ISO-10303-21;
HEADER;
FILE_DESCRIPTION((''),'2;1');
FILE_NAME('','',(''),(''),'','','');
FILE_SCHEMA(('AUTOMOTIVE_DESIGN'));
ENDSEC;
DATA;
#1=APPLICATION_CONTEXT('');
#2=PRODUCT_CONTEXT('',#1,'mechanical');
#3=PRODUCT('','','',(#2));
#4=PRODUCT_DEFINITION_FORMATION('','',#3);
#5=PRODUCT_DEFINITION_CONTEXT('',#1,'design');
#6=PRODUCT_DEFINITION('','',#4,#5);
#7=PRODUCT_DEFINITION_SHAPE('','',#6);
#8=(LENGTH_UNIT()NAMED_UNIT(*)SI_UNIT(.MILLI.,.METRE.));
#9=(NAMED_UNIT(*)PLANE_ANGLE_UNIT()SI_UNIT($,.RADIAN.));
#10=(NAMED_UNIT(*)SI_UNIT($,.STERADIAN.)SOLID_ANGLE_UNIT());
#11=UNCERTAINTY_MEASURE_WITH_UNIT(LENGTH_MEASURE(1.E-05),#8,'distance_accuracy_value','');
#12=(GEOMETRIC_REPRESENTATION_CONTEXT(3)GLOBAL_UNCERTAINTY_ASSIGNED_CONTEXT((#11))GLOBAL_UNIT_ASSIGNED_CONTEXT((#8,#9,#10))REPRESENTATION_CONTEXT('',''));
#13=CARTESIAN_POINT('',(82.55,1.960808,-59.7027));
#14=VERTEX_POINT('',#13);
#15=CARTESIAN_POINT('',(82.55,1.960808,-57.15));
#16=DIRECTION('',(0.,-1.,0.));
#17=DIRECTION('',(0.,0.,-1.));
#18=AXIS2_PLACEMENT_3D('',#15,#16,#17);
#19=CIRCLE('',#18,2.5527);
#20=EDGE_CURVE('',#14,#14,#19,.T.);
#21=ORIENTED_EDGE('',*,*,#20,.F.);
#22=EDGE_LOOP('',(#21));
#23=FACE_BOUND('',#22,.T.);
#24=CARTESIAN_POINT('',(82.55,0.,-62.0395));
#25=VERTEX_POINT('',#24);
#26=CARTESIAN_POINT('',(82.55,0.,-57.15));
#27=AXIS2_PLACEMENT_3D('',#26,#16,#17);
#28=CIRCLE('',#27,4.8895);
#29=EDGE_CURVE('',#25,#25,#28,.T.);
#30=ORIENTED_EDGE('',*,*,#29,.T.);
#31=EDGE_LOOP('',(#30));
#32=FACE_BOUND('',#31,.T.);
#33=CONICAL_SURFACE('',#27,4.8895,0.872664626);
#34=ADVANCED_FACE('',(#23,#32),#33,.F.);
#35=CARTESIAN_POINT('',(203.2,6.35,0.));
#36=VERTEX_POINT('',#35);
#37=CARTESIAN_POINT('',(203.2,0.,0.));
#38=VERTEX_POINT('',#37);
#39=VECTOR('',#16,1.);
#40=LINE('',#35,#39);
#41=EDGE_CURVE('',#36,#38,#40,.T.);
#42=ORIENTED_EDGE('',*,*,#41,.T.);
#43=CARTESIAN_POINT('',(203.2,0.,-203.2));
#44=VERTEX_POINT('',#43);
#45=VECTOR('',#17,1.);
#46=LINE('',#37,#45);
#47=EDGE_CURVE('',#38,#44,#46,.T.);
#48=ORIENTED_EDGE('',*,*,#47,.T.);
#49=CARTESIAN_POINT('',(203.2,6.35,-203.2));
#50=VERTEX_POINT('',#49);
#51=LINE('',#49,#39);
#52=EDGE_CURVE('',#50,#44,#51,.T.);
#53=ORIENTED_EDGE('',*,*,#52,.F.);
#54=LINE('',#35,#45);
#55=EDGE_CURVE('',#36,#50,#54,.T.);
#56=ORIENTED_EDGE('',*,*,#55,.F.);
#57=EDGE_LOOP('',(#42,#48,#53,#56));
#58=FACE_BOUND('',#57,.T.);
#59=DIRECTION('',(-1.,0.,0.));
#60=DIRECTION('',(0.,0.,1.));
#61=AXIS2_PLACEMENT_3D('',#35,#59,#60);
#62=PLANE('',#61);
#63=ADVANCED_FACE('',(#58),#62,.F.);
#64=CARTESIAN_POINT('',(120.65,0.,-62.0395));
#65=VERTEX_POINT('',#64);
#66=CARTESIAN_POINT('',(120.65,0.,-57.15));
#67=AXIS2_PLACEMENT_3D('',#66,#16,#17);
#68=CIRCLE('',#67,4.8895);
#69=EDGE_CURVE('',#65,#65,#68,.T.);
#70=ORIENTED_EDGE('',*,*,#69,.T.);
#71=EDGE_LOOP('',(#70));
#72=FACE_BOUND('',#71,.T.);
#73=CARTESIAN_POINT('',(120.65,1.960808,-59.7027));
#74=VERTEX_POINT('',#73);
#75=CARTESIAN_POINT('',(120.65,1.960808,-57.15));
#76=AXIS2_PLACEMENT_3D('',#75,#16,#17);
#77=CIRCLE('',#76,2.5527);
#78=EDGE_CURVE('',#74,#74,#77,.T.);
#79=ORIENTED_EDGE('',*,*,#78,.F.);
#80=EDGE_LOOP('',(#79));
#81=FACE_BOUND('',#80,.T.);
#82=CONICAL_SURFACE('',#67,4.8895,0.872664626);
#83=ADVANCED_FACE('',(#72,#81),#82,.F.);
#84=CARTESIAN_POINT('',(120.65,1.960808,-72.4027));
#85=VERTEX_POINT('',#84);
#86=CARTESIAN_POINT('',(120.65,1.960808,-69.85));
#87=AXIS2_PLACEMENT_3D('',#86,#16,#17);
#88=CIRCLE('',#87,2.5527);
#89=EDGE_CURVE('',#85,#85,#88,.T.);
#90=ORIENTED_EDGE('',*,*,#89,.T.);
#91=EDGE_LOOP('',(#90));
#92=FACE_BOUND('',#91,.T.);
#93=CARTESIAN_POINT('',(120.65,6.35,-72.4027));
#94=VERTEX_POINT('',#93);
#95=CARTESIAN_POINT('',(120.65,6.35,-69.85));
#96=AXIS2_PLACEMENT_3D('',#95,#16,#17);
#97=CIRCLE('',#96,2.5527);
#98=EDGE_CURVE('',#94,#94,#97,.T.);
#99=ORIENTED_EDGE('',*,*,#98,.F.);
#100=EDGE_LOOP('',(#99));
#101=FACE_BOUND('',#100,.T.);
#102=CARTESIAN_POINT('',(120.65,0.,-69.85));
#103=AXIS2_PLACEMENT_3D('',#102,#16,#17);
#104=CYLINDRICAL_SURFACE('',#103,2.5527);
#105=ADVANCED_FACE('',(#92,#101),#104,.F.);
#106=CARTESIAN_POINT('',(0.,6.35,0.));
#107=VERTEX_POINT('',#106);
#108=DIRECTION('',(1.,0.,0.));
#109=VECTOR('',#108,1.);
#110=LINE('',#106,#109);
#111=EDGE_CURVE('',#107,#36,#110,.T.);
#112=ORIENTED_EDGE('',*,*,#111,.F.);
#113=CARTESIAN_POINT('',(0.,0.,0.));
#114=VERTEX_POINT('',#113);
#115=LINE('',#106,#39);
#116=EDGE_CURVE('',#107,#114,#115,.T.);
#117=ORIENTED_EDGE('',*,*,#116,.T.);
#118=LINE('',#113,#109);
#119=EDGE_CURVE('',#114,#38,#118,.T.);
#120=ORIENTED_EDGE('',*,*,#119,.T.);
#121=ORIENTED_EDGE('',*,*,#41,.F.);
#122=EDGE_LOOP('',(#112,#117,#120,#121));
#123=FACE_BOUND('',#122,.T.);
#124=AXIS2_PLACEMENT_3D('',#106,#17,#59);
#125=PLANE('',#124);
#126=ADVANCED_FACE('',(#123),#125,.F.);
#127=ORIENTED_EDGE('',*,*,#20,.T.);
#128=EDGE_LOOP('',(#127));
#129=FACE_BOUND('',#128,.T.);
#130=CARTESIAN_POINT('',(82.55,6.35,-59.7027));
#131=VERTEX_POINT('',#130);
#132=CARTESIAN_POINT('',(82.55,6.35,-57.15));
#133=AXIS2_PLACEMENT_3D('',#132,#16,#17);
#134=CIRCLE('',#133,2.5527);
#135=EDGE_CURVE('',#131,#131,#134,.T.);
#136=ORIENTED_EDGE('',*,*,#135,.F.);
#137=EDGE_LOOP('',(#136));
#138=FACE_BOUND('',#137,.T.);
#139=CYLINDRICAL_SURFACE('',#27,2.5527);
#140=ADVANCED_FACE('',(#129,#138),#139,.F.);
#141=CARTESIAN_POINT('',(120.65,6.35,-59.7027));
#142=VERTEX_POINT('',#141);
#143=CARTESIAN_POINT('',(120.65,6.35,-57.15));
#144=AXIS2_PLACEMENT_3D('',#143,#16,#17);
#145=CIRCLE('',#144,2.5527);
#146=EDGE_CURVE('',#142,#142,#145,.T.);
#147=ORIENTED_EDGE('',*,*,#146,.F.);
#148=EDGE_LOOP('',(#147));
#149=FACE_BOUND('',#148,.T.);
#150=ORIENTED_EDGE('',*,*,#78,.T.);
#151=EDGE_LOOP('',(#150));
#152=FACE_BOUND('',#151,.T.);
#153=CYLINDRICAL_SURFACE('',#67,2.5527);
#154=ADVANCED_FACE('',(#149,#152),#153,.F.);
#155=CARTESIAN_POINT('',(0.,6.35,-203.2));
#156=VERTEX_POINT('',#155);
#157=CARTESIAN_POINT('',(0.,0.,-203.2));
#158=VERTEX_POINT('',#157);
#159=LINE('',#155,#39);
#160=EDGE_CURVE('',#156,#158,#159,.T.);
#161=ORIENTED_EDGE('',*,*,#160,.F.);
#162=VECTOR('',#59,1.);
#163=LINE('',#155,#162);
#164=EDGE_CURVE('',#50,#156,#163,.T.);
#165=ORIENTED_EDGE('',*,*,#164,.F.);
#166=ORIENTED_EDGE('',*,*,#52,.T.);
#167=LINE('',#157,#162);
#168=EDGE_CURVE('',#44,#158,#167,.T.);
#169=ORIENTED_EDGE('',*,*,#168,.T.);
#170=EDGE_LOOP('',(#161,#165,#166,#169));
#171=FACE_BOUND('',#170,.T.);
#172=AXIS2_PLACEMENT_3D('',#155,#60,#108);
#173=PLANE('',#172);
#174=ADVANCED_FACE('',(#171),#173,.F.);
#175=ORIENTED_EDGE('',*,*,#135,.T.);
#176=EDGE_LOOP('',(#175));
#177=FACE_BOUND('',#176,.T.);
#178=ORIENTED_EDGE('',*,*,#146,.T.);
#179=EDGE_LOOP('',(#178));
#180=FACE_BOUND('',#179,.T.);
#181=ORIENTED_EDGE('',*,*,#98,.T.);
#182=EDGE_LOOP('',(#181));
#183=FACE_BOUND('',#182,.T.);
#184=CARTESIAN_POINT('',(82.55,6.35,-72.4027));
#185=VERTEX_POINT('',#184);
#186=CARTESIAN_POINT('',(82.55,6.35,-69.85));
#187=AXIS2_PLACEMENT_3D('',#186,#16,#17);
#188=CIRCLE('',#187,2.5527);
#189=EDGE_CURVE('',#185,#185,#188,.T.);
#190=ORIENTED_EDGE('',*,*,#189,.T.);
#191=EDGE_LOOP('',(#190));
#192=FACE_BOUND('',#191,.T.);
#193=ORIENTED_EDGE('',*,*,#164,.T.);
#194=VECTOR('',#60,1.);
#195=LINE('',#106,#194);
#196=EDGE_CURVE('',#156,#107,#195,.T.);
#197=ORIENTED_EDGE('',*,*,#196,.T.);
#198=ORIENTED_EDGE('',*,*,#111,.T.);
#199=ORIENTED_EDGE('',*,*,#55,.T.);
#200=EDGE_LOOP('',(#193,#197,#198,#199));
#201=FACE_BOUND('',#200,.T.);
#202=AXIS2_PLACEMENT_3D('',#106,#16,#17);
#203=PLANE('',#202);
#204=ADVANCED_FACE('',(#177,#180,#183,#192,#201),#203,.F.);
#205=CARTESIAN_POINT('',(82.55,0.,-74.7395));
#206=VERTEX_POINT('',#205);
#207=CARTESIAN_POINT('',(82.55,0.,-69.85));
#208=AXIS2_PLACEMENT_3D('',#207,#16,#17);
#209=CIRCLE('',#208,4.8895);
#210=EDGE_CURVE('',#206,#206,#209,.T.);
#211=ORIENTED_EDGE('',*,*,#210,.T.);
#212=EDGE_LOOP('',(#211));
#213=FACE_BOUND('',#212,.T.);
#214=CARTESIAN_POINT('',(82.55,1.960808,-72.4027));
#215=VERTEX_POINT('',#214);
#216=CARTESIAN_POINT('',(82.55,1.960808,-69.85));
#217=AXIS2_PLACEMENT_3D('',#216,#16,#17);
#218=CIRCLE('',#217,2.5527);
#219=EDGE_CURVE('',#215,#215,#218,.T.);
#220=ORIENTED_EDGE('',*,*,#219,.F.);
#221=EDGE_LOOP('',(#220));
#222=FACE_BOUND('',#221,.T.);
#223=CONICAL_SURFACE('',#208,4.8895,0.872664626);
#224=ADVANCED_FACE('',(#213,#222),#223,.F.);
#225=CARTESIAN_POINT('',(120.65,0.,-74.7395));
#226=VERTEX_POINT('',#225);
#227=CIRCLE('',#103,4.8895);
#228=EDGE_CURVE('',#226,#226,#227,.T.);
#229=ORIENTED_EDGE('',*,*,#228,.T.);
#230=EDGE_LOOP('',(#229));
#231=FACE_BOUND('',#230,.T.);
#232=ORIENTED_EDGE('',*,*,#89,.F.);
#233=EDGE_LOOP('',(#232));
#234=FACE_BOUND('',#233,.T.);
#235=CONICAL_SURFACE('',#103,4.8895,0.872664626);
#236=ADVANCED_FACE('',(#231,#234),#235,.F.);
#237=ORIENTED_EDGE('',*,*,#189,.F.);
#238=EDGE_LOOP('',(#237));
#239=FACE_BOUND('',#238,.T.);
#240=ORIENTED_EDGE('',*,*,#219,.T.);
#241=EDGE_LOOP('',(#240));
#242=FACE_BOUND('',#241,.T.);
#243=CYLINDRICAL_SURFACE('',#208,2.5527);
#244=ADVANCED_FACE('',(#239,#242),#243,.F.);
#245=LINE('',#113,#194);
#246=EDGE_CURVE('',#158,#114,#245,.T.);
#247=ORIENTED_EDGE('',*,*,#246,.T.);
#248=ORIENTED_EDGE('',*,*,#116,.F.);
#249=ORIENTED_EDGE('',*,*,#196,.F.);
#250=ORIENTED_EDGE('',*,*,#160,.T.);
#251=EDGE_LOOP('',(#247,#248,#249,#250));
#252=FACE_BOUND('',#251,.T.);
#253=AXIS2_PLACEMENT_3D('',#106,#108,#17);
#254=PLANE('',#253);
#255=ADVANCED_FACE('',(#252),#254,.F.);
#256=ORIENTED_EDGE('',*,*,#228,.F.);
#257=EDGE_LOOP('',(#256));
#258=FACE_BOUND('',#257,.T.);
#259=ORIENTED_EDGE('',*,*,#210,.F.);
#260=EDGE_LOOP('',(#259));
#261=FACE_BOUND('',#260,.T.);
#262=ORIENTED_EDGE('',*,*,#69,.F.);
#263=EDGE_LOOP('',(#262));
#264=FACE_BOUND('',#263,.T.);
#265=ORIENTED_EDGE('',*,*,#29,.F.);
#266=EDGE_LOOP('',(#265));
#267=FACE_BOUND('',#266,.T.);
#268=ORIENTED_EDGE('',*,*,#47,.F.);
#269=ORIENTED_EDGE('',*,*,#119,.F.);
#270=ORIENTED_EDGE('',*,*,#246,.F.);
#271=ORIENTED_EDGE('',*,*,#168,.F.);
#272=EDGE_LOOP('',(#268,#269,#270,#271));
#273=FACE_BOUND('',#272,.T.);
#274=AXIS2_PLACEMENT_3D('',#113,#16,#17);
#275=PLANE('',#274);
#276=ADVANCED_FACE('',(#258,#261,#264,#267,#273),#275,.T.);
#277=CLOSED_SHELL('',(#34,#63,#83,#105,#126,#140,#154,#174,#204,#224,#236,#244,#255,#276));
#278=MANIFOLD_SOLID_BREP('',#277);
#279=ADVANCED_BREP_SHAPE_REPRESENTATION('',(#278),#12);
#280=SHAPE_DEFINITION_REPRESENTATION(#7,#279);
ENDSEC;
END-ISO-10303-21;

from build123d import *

# Parameters (mm, degrees)
SKETCH2_W                                          = 203.2
SKETCH2_H                                          = 203.2
BOSS_EXTRUDE2_DEPTH                                = 6.35
CSK_FOR_10_FLAT_HEAD_MACHINE_SCREW_100_D           = 5.1054
CSK_FOR_10_FLAT_HEAD_MACHINE_SCREW_100_CSINK_D     = 9.779
CSK_FOR_10_FLAT_HEAD_MACHINE_SCREW_100_CSINK_ANGLE = 100


with BuildPart() as part:
    # Sketch2 → Boss-Extrude2 (new body)
    with BuildSketch(Plane(origin=(0, 0, 0), x_dir=(1, 0, 0), z_dir=(0, 1, 0))):
        with Locations((101.6, 101.6)):
            Rectangle(SKETCH2_W, SKETCH2_H)
    extrude(amount=BOSS_EXTRUDE2_DEPTH)

    # CSK for #10 Flat Head Machine Screw (100)1 (through all)
    with Locations(Plane(origin=(0, 0, 0), x_dir=(-1, 0, 0), z_dir=(0, -1, 0))):
        with Locations((-82.55, 57.15), (-82.55, 69.85), (-120.65, 57.15), (-120.65, 69.85)):
            CounterSinkHole(CSK_FOR_10_FLAT_HEAD_MACHINE_SCREW_100_D / 2, CSK_FOR_10_FLAT_HEAD_MACHINE_SCREW_100_CSINK_D / 2, counter_sink_angle=CSK_FOR_10_FLAT_HEAD_MACHINE_SCREW_100_CSINK_ANGLE)


solid = part.part
